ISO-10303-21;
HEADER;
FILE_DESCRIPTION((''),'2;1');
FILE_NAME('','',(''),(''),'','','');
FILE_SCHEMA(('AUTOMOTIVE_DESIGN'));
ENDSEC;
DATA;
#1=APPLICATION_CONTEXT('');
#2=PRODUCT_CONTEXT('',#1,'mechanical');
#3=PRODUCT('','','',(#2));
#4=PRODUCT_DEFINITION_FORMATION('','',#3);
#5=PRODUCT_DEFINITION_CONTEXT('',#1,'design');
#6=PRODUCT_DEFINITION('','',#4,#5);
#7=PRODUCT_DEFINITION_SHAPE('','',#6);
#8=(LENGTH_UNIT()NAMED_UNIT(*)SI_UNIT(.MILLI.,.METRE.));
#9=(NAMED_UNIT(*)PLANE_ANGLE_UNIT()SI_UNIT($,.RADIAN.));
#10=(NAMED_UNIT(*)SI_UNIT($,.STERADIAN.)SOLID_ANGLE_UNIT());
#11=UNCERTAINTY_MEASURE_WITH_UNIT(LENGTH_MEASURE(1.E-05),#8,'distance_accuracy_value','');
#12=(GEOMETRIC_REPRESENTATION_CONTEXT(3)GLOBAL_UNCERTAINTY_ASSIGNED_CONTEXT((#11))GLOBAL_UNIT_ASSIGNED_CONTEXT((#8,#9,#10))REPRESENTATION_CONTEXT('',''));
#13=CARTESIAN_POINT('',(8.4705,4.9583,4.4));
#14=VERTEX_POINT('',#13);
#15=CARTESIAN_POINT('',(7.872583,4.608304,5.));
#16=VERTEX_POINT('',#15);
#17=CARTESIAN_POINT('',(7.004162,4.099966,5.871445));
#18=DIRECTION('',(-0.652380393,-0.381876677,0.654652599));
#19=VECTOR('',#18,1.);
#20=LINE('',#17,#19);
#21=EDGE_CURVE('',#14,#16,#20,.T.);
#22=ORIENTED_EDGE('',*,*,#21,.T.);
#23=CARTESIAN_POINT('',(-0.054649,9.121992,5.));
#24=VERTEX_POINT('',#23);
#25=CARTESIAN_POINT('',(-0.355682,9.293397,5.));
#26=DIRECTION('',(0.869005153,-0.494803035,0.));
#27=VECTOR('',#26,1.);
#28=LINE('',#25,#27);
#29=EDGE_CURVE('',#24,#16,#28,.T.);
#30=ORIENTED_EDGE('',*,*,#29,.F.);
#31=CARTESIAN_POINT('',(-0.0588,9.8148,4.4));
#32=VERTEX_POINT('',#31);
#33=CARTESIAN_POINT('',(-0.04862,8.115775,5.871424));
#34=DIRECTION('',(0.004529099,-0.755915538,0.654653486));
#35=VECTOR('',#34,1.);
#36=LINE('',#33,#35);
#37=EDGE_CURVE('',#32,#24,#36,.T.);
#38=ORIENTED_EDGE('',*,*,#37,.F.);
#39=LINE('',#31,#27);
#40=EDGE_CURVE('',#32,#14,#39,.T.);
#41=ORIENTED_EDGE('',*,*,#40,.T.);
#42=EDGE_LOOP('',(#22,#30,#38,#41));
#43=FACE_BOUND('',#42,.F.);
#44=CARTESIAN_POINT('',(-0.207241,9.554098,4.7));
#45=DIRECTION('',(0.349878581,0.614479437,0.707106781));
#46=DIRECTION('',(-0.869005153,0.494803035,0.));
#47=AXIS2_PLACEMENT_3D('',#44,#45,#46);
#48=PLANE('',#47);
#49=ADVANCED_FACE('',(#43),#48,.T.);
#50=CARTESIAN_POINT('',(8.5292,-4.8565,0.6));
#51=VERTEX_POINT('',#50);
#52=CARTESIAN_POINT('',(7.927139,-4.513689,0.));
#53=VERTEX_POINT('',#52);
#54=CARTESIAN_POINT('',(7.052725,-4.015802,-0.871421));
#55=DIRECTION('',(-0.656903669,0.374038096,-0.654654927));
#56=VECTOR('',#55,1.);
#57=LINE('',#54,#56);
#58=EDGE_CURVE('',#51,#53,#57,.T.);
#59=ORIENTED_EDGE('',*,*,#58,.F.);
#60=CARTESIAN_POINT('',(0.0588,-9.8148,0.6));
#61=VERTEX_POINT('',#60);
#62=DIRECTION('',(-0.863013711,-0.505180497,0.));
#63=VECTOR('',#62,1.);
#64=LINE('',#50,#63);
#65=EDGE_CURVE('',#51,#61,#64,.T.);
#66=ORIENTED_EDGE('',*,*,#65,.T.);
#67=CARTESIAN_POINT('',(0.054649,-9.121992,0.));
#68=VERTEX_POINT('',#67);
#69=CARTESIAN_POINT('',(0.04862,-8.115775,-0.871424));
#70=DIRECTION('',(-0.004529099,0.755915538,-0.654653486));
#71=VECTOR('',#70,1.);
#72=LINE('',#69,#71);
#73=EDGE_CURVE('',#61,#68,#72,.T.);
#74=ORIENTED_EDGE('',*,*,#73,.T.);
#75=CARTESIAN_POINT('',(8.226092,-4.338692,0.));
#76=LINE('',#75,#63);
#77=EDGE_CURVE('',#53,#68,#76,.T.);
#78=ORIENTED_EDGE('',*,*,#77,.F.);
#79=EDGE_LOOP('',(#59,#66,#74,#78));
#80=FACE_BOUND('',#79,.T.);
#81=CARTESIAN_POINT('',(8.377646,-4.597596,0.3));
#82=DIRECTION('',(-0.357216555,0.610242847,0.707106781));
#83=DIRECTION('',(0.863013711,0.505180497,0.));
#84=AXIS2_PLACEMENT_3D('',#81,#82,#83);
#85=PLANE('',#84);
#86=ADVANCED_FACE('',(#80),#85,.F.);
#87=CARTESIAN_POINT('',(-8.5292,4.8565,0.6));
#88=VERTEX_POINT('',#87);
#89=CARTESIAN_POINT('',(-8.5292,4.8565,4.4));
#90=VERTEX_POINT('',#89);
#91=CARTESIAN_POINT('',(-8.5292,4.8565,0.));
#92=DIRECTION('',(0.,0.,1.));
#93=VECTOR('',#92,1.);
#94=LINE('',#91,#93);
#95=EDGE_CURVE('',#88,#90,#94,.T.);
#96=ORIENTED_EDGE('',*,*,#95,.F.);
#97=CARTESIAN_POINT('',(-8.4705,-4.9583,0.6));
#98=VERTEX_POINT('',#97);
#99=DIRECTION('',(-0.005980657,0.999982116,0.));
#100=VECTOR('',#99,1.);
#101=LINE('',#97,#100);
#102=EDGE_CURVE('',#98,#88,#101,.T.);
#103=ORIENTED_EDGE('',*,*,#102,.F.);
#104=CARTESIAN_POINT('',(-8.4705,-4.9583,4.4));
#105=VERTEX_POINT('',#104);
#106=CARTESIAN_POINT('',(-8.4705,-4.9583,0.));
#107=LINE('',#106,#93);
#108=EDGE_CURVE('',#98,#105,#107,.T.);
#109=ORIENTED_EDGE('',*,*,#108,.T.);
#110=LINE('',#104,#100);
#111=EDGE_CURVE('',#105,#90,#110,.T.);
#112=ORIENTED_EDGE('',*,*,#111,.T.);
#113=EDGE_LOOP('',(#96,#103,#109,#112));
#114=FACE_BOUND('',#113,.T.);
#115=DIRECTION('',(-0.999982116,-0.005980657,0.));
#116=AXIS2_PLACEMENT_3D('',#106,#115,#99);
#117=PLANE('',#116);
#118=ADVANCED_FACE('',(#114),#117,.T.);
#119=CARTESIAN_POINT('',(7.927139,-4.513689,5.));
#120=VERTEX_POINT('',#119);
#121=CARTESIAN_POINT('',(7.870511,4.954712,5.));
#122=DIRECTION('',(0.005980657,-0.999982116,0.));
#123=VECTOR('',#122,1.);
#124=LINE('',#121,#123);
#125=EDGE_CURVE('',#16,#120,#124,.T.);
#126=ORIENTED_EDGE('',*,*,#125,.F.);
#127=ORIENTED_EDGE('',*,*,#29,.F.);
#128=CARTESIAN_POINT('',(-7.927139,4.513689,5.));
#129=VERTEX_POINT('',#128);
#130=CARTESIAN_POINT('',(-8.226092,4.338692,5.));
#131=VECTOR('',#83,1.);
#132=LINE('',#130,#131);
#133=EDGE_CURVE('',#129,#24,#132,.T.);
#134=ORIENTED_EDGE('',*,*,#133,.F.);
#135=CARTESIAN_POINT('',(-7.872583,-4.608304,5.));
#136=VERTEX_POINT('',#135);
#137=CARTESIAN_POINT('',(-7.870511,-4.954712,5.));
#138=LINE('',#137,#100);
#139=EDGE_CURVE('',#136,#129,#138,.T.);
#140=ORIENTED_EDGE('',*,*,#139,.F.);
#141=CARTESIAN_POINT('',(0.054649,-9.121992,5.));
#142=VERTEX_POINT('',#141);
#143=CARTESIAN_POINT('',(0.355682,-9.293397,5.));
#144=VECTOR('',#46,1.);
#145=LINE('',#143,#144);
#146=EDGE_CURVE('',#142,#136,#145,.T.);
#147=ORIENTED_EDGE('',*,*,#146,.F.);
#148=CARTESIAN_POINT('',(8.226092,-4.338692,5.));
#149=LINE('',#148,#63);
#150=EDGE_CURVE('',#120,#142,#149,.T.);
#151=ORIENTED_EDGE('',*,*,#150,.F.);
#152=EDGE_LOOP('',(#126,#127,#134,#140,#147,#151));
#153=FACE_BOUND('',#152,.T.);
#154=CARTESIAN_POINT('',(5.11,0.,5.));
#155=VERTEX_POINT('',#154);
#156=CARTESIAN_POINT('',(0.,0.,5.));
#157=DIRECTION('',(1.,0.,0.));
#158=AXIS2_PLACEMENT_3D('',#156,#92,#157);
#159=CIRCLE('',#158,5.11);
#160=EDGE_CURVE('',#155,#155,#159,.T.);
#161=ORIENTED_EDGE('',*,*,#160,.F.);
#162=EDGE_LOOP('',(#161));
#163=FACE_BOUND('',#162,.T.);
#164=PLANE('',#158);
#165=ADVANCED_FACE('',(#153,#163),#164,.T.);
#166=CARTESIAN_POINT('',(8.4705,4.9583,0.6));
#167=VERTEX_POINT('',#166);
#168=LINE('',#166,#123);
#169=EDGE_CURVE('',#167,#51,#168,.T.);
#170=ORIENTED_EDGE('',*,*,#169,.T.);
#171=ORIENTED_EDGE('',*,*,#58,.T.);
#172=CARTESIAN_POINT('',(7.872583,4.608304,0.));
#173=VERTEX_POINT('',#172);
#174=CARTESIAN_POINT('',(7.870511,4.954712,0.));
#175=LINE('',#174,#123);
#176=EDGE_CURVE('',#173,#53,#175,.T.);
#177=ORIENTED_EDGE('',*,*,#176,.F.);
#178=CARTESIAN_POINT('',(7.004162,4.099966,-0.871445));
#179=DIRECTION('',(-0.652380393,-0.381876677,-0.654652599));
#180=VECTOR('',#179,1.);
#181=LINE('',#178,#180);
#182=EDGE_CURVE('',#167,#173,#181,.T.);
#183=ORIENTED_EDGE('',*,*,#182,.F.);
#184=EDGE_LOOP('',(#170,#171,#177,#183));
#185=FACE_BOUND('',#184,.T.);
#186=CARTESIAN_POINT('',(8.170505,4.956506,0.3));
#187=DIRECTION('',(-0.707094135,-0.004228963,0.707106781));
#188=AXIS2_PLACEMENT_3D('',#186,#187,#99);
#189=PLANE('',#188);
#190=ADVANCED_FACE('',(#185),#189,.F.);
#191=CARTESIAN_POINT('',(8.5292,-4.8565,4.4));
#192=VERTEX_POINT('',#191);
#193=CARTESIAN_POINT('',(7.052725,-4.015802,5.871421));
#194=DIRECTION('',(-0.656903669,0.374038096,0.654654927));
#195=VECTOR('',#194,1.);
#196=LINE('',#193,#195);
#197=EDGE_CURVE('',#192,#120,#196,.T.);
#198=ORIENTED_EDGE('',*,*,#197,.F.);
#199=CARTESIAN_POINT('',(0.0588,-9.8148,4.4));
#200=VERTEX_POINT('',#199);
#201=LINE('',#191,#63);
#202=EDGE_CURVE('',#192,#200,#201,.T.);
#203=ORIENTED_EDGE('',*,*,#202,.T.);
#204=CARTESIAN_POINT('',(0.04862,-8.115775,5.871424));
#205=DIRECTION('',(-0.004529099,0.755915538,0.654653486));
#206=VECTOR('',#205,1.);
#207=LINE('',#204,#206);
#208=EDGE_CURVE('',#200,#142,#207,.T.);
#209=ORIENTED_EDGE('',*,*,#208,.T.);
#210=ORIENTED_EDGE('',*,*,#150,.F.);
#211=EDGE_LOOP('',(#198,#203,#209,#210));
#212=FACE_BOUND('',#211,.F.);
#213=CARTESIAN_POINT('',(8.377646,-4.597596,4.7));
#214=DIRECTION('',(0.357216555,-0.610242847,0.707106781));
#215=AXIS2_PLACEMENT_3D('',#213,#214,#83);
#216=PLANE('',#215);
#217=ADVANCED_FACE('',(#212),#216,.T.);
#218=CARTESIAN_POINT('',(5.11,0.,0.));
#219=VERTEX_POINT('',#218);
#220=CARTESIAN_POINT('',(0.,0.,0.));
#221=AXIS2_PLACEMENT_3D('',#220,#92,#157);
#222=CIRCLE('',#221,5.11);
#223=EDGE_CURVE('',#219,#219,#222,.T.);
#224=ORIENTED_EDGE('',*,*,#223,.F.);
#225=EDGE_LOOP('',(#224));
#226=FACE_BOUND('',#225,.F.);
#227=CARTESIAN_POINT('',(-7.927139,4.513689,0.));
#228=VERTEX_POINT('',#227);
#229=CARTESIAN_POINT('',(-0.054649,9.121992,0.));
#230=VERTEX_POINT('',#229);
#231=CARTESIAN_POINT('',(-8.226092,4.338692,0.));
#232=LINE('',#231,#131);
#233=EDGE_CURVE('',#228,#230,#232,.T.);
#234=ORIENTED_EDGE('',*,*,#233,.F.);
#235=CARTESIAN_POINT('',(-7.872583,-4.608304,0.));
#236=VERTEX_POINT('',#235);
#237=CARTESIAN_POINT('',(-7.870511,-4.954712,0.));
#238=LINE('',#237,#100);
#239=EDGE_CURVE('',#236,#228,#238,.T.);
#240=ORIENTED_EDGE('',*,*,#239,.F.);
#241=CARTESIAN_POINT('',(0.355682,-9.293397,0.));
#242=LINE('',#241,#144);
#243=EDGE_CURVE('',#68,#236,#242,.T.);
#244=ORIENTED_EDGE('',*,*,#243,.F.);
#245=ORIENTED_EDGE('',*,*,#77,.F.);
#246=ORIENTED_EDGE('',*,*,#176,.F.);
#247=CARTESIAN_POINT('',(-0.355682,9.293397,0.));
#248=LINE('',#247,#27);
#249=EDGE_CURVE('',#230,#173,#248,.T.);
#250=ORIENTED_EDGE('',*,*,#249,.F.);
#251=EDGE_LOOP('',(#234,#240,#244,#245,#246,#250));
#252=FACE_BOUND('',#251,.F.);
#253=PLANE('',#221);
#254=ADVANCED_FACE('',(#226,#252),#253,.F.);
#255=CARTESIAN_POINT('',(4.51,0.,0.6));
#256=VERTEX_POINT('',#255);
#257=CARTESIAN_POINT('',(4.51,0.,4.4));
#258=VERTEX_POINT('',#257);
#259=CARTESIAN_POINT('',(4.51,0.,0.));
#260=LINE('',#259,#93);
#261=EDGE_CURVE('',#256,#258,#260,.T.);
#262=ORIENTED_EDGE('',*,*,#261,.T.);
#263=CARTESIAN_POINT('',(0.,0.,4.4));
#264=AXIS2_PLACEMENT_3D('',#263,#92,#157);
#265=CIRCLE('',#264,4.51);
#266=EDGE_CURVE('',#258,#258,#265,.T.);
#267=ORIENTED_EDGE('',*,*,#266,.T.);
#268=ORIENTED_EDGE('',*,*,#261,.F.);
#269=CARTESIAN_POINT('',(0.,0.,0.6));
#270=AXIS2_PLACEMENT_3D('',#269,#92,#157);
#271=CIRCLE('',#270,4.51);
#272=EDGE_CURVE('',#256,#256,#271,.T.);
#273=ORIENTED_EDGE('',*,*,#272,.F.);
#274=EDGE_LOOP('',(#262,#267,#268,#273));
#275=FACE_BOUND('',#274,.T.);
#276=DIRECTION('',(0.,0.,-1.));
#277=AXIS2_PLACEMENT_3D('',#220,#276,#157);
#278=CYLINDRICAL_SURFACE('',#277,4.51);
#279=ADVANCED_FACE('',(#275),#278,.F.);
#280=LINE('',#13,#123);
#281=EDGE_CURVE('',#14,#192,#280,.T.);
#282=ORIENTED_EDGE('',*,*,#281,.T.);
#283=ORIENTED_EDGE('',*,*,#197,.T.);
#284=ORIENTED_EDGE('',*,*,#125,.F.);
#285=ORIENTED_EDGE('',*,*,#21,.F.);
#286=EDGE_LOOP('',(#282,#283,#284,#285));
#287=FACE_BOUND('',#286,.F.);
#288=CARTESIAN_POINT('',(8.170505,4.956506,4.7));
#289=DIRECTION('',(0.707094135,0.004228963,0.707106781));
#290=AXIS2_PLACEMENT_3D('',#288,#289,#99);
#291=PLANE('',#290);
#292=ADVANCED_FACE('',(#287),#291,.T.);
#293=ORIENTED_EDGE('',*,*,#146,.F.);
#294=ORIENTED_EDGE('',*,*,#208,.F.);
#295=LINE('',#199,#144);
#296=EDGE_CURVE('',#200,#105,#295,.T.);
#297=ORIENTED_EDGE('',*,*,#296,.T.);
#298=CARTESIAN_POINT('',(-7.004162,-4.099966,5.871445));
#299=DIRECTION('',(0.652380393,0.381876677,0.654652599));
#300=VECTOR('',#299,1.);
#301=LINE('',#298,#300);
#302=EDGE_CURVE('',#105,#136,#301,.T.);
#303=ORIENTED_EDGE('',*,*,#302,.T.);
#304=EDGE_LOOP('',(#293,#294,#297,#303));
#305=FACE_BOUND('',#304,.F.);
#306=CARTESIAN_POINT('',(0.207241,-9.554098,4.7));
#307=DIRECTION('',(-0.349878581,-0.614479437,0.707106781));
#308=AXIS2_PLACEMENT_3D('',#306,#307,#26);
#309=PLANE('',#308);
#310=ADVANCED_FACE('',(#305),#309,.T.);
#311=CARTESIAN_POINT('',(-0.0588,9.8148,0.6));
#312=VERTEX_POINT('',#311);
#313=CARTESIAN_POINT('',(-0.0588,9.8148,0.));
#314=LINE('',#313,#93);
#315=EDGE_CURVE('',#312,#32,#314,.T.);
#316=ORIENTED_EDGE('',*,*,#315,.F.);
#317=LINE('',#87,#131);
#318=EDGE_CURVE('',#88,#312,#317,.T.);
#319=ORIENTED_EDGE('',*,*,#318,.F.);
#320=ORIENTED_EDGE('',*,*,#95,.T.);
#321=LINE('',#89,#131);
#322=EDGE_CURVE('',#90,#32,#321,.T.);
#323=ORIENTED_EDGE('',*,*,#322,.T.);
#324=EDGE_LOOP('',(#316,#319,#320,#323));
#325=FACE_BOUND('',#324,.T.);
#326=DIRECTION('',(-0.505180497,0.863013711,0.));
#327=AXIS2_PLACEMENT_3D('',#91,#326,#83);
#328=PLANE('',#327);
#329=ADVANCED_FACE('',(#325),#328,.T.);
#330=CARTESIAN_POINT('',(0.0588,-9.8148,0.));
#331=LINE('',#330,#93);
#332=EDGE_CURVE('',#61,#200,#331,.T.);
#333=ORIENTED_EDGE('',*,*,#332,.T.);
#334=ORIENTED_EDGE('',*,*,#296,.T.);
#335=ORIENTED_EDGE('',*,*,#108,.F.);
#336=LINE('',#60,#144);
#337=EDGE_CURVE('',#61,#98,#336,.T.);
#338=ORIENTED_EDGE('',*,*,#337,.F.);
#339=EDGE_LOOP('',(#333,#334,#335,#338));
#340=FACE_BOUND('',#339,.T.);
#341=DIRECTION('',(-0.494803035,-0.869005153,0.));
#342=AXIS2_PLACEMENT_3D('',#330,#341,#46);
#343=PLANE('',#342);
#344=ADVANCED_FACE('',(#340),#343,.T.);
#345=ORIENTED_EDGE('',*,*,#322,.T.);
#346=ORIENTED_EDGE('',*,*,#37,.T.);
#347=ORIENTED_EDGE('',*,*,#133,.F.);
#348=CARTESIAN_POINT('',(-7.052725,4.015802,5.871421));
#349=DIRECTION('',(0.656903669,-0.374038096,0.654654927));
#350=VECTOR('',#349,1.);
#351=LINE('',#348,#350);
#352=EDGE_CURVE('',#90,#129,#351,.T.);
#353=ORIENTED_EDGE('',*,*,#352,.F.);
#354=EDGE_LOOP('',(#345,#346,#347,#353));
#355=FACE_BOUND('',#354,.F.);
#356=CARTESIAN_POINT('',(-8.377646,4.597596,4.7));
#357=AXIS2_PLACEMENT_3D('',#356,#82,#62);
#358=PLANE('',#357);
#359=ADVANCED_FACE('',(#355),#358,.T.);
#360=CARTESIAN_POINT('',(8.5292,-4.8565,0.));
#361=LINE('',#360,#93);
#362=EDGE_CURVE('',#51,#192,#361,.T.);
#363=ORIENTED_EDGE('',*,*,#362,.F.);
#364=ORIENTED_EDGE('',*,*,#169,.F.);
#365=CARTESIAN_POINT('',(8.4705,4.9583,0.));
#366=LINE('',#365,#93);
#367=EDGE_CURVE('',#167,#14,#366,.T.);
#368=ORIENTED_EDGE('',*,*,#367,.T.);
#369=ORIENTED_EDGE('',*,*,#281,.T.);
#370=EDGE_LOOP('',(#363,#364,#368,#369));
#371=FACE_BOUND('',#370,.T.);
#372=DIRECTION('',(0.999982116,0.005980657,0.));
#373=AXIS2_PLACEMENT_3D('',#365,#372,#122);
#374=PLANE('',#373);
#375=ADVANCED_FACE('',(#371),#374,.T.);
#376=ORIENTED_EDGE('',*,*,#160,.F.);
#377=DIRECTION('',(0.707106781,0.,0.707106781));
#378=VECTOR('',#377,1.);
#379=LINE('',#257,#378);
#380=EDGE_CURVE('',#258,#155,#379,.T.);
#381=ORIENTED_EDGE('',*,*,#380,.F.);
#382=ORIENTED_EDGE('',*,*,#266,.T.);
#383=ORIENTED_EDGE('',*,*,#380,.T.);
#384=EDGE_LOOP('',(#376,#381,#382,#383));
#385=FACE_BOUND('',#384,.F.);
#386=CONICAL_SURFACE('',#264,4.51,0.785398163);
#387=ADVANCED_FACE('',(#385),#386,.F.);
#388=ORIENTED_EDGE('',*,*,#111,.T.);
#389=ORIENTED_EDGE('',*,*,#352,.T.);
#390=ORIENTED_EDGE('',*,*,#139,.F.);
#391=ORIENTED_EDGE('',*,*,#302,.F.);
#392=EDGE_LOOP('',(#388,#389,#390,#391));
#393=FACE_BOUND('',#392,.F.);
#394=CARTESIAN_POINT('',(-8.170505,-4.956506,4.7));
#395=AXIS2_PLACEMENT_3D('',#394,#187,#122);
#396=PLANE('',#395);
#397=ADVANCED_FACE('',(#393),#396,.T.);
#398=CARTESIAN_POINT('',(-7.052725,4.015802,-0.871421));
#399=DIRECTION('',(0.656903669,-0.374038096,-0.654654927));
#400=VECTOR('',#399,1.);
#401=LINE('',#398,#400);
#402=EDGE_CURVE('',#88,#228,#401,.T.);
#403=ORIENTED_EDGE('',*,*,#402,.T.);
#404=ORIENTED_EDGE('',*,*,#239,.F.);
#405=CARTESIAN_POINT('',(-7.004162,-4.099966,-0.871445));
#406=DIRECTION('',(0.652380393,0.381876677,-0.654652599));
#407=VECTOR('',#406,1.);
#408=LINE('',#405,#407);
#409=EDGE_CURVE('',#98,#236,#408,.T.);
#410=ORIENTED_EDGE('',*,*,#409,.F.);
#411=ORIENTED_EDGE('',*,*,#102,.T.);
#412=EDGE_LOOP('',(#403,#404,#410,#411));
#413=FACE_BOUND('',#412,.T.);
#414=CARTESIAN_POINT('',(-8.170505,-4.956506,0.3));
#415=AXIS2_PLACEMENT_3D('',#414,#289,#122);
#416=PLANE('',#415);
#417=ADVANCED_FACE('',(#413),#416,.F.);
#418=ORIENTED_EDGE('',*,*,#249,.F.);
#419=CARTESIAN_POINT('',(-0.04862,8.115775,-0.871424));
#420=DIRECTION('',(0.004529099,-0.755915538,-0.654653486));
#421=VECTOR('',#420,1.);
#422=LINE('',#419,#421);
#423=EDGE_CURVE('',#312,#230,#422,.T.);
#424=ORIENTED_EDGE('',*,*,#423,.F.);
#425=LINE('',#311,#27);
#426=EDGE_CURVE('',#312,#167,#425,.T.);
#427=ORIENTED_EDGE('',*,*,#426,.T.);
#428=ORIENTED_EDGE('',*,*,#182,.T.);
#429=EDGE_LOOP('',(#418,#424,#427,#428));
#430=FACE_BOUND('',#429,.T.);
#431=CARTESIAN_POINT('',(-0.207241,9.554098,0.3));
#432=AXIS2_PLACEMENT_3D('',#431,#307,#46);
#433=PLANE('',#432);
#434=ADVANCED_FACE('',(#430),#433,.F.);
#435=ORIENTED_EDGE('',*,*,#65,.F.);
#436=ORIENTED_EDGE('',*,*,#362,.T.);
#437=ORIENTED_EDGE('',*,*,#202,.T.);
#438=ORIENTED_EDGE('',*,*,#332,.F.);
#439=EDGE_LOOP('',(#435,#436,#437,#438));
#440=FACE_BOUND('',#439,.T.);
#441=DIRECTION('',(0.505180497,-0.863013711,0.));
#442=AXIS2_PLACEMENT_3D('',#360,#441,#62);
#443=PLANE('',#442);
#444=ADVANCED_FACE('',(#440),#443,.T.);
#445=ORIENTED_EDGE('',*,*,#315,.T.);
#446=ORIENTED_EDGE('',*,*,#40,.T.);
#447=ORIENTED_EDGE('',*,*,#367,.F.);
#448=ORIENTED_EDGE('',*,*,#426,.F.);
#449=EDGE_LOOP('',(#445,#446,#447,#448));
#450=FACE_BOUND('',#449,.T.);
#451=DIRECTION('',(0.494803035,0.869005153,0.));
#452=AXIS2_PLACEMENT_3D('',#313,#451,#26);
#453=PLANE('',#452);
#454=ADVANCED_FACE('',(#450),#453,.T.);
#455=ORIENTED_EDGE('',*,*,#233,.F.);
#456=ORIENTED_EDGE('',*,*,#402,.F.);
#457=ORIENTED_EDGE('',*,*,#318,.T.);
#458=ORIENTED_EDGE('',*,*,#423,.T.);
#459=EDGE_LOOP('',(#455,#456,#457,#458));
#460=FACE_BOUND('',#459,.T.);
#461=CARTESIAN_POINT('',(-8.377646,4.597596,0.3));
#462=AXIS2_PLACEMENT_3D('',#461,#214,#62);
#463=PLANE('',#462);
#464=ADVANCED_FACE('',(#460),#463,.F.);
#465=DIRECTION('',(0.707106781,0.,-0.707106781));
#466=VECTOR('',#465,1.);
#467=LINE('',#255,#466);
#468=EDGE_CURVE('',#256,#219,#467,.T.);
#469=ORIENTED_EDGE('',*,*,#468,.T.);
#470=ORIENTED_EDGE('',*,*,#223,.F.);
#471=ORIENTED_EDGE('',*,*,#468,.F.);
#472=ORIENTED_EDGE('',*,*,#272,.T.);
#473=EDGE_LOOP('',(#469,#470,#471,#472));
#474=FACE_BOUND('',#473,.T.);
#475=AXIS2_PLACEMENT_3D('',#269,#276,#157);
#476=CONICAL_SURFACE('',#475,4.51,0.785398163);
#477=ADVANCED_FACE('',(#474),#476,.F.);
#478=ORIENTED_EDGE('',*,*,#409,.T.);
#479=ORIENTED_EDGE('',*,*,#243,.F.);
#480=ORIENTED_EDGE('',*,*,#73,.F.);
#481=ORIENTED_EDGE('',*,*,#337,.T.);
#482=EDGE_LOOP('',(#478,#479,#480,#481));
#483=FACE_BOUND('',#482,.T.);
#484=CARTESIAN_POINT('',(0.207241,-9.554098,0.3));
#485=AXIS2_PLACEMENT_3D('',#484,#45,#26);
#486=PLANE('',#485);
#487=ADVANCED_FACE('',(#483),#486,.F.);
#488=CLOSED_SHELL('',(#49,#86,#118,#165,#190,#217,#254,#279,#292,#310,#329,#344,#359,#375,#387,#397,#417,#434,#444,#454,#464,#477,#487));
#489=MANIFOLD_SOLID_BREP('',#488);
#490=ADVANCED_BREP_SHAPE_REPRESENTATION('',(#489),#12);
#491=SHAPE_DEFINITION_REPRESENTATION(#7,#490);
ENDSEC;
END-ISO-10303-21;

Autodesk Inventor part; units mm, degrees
ref_plane "YZ Plane" through (0, 0, 0) normal (1, 0, 0) x (0, 1, 0)
ref_plane "XZ Plane" through (0, 0, 0) normal (0, 1, 0) x (-1, 0, 0)
ref_plane "XY Plane" through (0, 0, 0) normal (0, 0, 1) x (1, 0, 0)
sketch "Sketch1" plane through (0, 0, 0) normal (0, 0, 1) x (1, 0, 0)
  circle A0 centre (0, 0) radius 4.51
  line L0 (-0.0588, 9.8148) -> (8.4705, 4.9583)
  line L1 (8.4705, 4.9583) -> (8.5292, -4.8565)
  line L2 (8.5292, -4.8565) -> (0.0588, -9.8148)
  line L3 (0.0588, -9.8148) -> (-8.4705, -4.9583)
  line L4 (-8.4705, -4.9583) -> (-8.5292, 4.8565)
  line L5 (-8.5292, 4.8565) -> (-0.0588, 9.8148)
  dimension "d0" = 9.02
  dimension "d1" = 8.5
extrude "Extrusion1" add sketch "Sketch1" along normal blind 5
chamfer "Chamfer1" distance 0.6 angle 45 14 edges at (-4.294, 7.3356, 5) (-8.4998, -0.0509, 5) (-4.2058, -7.3865, 5) (4.294, -7.3356, 5) (8.4998, 0.0509, 5) (4.2058, 7.3865, 5) (-4.2058, -7.3865, 0) (4.294, -7.3356, 0) (8.4998, 0.0509, 0) (4.2058, 7.3865, 0) (-4.294, 7.3356, 0) (-8.4998, -0.0509, 0) (-4.51, 0, 5) (-4.51, 0, 0)
properties part number "TuercaManzana" material "Steel"
